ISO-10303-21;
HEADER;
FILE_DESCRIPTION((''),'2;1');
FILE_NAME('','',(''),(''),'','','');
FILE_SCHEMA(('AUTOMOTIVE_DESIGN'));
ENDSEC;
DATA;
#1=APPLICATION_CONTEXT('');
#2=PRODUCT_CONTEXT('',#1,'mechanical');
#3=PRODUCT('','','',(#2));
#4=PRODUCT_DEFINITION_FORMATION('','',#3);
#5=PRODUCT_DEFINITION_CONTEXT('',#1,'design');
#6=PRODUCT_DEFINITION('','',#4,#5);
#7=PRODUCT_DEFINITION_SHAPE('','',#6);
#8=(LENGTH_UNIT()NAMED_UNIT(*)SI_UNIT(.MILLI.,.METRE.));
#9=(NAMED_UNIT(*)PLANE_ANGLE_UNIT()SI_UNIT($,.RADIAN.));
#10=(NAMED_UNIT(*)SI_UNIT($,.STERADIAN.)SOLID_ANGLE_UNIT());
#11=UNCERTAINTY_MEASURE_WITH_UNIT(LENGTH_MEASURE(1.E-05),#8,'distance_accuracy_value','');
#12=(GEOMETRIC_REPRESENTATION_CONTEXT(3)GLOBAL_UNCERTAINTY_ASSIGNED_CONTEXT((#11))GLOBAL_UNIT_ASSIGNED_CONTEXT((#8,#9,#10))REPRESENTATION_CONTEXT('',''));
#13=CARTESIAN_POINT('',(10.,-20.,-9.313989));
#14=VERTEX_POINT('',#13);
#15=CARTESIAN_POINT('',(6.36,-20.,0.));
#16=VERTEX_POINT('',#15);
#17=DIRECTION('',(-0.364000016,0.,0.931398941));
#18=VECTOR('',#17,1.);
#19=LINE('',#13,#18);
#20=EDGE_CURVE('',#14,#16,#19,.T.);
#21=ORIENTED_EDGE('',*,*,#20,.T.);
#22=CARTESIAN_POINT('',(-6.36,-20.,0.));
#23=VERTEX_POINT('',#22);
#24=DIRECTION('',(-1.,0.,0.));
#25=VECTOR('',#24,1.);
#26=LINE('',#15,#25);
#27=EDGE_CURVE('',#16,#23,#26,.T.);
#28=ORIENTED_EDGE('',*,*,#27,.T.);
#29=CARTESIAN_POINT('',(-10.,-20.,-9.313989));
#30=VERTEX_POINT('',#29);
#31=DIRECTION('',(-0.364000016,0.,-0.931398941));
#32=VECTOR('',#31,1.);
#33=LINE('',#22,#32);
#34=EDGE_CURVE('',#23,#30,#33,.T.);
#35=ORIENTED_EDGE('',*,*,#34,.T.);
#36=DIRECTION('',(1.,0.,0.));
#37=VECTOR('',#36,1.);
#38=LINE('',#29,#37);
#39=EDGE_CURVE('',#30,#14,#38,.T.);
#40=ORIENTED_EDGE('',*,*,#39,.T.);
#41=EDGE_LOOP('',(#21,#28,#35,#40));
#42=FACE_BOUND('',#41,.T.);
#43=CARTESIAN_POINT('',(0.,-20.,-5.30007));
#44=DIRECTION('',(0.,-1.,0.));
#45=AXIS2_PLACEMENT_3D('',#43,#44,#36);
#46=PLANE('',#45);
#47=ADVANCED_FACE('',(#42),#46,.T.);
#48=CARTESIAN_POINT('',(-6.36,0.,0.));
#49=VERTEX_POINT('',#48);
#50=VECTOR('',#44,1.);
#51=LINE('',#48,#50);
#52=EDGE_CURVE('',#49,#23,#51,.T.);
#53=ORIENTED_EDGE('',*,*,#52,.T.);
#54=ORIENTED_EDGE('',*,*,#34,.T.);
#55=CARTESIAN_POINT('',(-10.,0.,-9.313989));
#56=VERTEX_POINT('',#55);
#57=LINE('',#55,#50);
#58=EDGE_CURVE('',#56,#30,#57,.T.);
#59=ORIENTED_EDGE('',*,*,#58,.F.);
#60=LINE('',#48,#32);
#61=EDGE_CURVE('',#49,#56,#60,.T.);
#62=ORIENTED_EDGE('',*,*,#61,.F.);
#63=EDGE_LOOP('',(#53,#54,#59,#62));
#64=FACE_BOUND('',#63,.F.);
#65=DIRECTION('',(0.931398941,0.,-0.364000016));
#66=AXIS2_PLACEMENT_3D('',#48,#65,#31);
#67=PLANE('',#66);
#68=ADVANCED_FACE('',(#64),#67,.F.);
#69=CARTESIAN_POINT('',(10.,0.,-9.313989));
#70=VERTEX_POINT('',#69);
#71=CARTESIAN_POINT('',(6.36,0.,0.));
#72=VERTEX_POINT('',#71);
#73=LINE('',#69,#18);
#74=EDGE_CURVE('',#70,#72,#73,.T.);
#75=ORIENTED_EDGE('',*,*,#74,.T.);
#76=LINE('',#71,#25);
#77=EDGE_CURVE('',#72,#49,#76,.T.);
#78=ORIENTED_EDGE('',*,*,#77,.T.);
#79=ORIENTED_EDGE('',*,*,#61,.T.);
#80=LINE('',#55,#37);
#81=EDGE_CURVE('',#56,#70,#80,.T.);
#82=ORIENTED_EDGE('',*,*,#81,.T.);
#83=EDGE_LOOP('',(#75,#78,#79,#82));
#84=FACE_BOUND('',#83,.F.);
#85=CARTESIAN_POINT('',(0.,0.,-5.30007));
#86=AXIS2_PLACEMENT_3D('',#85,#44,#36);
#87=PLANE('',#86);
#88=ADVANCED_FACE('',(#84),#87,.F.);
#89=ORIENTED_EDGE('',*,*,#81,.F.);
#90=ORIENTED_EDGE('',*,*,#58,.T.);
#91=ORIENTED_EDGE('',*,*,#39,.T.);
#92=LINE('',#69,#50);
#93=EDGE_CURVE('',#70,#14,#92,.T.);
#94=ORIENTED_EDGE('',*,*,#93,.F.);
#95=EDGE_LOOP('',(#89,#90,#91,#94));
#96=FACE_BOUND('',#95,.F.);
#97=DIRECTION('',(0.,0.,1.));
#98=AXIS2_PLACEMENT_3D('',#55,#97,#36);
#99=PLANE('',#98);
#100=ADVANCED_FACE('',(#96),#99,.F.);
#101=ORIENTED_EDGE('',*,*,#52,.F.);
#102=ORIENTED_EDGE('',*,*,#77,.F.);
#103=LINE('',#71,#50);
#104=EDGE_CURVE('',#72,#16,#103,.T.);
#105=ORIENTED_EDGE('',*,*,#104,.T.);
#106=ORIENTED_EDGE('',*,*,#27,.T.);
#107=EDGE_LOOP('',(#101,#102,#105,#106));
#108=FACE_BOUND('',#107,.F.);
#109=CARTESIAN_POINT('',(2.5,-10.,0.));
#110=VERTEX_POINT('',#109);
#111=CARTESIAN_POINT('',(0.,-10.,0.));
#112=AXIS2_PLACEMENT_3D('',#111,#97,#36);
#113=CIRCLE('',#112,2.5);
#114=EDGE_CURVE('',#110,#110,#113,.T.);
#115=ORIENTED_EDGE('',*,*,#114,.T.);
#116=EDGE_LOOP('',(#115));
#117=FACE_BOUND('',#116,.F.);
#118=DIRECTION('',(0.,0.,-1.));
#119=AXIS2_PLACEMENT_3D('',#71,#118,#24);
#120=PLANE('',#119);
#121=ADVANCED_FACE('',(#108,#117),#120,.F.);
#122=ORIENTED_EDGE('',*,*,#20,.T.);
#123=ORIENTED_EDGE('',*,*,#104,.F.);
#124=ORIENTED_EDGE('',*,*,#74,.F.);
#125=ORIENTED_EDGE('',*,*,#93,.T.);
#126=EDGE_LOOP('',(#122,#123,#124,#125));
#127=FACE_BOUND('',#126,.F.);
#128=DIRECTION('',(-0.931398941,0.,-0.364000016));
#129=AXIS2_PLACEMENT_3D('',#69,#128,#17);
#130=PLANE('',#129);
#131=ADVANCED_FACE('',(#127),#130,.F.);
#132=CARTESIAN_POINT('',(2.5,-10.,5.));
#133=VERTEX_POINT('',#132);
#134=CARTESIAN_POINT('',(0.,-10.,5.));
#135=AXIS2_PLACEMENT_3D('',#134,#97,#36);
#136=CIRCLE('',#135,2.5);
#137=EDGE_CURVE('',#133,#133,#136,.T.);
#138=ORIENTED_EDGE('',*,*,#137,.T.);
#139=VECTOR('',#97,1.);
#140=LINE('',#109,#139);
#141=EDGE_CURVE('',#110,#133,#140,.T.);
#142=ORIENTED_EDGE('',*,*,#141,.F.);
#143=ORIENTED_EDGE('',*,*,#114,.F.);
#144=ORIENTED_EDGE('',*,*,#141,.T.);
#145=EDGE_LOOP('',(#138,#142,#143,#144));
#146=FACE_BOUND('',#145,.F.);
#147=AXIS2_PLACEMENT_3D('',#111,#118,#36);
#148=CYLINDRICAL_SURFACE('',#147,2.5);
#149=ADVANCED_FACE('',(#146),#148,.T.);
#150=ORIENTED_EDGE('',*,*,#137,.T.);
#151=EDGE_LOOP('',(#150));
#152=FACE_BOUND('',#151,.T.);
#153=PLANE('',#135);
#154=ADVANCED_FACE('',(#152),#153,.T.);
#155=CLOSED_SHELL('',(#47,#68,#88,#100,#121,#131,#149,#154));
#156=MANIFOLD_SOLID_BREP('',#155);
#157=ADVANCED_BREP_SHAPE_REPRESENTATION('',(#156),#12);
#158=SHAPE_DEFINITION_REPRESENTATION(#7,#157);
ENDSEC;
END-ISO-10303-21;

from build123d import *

# Parameters (mm, degrees)
F1_DEPTH = 20
F2_R     = 2.5
F3_DEPTH = 5


with BuildPart() as f1:
    # F0 (on Front) → F1 (new body)
    with BuildSketch(Plane.XZ):
        Polygon((6.36, 0), (0, 0), (-6.36, 0), (-10, -9.313989), (0, -9.313989), (10, -9.313989), align=None)
    extrude(amount=F1_DEPTH)

    # F2 (on face) → F3 (join)
    with BuildSketch(Plane.XY):
        with Locations((0, -10)):
            Circle(F2_R)
    extrude(amount=F3_DEPTH)


solid = f1.part
